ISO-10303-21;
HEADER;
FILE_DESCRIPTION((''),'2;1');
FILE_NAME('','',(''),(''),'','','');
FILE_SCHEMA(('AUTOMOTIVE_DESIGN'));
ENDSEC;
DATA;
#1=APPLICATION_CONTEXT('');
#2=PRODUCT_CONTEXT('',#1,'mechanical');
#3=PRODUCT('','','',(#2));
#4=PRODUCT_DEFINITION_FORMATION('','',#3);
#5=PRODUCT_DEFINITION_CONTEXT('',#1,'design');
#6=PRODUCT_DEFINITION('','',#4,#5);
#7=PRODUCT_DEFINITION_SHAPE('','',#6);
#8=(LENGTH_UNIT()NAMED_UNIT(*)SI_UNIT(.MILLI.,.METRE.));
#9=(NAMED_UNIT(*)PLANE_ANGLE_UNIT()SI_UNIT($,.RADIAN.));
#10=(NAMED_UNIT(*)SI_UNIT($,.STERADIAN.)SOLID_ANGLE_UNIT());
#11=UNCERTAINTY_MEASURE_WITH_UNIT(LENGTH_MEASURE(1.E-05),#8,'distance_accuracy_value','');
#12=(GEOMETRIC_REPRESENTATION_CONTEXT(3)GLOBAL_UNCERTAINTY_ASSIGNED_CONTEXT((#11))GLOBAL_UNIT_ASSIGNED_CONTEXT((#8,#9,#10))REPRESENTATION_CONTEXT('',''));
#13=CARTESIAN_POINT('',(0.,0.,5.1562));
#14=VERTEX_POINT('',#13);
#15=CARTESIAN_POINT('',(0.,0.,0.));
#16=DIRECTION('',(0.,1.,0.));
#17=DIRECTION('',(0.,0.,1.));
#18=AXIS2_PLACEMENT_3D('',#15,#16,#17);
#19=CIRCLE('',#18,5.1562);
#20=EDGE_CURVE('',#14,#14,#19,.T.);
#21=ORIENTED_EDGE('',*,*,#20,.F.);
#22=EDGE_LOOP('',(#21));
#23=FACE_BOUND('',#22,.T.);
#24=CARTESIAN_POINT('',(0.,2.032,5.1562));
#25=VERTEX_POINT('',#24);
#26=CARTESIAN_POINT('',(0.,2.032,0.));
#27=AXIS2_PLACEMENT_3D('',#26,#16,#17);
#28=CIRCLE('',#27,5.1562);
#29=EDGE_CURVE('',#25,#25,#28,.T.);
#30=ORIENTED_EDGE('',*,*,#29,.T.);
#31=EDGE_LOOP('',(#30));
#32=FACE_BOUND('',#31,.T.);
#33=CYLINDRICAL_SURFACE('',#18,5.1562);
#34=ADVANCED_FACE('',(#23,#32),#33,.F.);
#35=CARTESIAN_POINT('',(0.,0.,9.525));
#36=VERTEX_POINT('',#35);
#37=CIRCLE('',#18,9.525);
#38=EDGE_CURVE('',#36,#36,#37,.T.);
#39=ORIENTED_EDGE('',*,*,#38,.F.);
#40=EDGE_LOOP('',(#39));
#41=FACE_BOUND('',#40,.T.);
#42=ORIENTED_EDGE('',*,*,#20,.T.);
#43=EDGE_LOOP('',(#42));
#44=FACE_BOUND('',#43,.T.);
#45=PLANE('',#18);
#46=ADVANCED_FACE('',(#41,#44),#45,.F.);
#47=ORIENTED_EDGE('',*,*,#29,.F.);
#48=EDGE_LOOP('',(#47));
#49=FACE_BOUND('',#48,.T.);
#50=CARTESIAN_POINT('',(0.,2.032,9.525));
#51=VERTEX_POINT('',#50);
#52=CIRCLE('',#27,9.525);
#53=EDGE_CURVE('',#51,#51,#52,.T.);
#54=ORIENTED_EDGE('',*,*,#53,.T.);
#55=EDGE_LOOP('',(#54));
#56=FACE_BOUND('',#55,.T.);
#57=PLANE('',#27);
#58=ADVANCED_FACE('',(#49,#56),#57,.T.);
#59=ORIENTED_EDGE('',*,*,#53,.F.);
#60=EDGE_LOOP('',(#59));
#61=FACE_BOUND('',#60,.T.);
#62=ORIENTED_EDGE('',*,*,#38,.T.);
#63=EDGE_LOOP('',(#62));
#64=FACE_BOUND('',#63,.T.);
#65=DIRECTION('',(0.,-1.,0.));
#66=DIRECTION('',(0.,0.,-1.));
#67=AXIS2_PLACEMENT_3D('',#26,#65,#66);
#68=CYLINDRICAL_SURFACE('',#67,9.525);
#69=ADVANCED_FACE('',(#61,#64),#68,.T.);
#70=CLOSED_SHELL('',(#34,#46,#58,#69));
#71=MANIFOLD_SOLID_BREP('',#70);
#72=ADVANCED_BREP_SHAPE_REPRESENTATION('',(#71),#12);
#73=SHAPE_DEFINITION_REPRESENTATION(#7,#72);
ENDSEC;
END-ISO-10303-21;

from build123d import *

# Parameters (mm, degrees)
SKETCH1_R           = 9.525
BOSS_EXTRUDE1_DEPTH = 2.032
SKETCH5_R           = 5.1562
CUT_EXTRUDE1_DEPTH  = 3.032


with BuildPart() as part:
    # Sketch1 → Boss-Extrude1 (new body)
    with BuildSketch(Plane(origin=(0, 0, 0), x_dir=(1, 0, 0), z_dir=(0, 1, 0))):
        Circle(SKETCH1_R)
    extrude(amount=BOSS_EXTRUDE1_DEPTH)

    # Sketch5 → Cut-Extrude1 (cut, through all)
    with BuildSketch(Plane(origin=(0, 2.032, 0), x_dir=(-1, 0, 0), z_dir=(0, 1, 0))):
        Circle(SKETCH5_R)
    extrude(amount=-CUT_EXTRUDE1_DEPTH, mode=Mode.SUBTRACT)


solid = part.part
